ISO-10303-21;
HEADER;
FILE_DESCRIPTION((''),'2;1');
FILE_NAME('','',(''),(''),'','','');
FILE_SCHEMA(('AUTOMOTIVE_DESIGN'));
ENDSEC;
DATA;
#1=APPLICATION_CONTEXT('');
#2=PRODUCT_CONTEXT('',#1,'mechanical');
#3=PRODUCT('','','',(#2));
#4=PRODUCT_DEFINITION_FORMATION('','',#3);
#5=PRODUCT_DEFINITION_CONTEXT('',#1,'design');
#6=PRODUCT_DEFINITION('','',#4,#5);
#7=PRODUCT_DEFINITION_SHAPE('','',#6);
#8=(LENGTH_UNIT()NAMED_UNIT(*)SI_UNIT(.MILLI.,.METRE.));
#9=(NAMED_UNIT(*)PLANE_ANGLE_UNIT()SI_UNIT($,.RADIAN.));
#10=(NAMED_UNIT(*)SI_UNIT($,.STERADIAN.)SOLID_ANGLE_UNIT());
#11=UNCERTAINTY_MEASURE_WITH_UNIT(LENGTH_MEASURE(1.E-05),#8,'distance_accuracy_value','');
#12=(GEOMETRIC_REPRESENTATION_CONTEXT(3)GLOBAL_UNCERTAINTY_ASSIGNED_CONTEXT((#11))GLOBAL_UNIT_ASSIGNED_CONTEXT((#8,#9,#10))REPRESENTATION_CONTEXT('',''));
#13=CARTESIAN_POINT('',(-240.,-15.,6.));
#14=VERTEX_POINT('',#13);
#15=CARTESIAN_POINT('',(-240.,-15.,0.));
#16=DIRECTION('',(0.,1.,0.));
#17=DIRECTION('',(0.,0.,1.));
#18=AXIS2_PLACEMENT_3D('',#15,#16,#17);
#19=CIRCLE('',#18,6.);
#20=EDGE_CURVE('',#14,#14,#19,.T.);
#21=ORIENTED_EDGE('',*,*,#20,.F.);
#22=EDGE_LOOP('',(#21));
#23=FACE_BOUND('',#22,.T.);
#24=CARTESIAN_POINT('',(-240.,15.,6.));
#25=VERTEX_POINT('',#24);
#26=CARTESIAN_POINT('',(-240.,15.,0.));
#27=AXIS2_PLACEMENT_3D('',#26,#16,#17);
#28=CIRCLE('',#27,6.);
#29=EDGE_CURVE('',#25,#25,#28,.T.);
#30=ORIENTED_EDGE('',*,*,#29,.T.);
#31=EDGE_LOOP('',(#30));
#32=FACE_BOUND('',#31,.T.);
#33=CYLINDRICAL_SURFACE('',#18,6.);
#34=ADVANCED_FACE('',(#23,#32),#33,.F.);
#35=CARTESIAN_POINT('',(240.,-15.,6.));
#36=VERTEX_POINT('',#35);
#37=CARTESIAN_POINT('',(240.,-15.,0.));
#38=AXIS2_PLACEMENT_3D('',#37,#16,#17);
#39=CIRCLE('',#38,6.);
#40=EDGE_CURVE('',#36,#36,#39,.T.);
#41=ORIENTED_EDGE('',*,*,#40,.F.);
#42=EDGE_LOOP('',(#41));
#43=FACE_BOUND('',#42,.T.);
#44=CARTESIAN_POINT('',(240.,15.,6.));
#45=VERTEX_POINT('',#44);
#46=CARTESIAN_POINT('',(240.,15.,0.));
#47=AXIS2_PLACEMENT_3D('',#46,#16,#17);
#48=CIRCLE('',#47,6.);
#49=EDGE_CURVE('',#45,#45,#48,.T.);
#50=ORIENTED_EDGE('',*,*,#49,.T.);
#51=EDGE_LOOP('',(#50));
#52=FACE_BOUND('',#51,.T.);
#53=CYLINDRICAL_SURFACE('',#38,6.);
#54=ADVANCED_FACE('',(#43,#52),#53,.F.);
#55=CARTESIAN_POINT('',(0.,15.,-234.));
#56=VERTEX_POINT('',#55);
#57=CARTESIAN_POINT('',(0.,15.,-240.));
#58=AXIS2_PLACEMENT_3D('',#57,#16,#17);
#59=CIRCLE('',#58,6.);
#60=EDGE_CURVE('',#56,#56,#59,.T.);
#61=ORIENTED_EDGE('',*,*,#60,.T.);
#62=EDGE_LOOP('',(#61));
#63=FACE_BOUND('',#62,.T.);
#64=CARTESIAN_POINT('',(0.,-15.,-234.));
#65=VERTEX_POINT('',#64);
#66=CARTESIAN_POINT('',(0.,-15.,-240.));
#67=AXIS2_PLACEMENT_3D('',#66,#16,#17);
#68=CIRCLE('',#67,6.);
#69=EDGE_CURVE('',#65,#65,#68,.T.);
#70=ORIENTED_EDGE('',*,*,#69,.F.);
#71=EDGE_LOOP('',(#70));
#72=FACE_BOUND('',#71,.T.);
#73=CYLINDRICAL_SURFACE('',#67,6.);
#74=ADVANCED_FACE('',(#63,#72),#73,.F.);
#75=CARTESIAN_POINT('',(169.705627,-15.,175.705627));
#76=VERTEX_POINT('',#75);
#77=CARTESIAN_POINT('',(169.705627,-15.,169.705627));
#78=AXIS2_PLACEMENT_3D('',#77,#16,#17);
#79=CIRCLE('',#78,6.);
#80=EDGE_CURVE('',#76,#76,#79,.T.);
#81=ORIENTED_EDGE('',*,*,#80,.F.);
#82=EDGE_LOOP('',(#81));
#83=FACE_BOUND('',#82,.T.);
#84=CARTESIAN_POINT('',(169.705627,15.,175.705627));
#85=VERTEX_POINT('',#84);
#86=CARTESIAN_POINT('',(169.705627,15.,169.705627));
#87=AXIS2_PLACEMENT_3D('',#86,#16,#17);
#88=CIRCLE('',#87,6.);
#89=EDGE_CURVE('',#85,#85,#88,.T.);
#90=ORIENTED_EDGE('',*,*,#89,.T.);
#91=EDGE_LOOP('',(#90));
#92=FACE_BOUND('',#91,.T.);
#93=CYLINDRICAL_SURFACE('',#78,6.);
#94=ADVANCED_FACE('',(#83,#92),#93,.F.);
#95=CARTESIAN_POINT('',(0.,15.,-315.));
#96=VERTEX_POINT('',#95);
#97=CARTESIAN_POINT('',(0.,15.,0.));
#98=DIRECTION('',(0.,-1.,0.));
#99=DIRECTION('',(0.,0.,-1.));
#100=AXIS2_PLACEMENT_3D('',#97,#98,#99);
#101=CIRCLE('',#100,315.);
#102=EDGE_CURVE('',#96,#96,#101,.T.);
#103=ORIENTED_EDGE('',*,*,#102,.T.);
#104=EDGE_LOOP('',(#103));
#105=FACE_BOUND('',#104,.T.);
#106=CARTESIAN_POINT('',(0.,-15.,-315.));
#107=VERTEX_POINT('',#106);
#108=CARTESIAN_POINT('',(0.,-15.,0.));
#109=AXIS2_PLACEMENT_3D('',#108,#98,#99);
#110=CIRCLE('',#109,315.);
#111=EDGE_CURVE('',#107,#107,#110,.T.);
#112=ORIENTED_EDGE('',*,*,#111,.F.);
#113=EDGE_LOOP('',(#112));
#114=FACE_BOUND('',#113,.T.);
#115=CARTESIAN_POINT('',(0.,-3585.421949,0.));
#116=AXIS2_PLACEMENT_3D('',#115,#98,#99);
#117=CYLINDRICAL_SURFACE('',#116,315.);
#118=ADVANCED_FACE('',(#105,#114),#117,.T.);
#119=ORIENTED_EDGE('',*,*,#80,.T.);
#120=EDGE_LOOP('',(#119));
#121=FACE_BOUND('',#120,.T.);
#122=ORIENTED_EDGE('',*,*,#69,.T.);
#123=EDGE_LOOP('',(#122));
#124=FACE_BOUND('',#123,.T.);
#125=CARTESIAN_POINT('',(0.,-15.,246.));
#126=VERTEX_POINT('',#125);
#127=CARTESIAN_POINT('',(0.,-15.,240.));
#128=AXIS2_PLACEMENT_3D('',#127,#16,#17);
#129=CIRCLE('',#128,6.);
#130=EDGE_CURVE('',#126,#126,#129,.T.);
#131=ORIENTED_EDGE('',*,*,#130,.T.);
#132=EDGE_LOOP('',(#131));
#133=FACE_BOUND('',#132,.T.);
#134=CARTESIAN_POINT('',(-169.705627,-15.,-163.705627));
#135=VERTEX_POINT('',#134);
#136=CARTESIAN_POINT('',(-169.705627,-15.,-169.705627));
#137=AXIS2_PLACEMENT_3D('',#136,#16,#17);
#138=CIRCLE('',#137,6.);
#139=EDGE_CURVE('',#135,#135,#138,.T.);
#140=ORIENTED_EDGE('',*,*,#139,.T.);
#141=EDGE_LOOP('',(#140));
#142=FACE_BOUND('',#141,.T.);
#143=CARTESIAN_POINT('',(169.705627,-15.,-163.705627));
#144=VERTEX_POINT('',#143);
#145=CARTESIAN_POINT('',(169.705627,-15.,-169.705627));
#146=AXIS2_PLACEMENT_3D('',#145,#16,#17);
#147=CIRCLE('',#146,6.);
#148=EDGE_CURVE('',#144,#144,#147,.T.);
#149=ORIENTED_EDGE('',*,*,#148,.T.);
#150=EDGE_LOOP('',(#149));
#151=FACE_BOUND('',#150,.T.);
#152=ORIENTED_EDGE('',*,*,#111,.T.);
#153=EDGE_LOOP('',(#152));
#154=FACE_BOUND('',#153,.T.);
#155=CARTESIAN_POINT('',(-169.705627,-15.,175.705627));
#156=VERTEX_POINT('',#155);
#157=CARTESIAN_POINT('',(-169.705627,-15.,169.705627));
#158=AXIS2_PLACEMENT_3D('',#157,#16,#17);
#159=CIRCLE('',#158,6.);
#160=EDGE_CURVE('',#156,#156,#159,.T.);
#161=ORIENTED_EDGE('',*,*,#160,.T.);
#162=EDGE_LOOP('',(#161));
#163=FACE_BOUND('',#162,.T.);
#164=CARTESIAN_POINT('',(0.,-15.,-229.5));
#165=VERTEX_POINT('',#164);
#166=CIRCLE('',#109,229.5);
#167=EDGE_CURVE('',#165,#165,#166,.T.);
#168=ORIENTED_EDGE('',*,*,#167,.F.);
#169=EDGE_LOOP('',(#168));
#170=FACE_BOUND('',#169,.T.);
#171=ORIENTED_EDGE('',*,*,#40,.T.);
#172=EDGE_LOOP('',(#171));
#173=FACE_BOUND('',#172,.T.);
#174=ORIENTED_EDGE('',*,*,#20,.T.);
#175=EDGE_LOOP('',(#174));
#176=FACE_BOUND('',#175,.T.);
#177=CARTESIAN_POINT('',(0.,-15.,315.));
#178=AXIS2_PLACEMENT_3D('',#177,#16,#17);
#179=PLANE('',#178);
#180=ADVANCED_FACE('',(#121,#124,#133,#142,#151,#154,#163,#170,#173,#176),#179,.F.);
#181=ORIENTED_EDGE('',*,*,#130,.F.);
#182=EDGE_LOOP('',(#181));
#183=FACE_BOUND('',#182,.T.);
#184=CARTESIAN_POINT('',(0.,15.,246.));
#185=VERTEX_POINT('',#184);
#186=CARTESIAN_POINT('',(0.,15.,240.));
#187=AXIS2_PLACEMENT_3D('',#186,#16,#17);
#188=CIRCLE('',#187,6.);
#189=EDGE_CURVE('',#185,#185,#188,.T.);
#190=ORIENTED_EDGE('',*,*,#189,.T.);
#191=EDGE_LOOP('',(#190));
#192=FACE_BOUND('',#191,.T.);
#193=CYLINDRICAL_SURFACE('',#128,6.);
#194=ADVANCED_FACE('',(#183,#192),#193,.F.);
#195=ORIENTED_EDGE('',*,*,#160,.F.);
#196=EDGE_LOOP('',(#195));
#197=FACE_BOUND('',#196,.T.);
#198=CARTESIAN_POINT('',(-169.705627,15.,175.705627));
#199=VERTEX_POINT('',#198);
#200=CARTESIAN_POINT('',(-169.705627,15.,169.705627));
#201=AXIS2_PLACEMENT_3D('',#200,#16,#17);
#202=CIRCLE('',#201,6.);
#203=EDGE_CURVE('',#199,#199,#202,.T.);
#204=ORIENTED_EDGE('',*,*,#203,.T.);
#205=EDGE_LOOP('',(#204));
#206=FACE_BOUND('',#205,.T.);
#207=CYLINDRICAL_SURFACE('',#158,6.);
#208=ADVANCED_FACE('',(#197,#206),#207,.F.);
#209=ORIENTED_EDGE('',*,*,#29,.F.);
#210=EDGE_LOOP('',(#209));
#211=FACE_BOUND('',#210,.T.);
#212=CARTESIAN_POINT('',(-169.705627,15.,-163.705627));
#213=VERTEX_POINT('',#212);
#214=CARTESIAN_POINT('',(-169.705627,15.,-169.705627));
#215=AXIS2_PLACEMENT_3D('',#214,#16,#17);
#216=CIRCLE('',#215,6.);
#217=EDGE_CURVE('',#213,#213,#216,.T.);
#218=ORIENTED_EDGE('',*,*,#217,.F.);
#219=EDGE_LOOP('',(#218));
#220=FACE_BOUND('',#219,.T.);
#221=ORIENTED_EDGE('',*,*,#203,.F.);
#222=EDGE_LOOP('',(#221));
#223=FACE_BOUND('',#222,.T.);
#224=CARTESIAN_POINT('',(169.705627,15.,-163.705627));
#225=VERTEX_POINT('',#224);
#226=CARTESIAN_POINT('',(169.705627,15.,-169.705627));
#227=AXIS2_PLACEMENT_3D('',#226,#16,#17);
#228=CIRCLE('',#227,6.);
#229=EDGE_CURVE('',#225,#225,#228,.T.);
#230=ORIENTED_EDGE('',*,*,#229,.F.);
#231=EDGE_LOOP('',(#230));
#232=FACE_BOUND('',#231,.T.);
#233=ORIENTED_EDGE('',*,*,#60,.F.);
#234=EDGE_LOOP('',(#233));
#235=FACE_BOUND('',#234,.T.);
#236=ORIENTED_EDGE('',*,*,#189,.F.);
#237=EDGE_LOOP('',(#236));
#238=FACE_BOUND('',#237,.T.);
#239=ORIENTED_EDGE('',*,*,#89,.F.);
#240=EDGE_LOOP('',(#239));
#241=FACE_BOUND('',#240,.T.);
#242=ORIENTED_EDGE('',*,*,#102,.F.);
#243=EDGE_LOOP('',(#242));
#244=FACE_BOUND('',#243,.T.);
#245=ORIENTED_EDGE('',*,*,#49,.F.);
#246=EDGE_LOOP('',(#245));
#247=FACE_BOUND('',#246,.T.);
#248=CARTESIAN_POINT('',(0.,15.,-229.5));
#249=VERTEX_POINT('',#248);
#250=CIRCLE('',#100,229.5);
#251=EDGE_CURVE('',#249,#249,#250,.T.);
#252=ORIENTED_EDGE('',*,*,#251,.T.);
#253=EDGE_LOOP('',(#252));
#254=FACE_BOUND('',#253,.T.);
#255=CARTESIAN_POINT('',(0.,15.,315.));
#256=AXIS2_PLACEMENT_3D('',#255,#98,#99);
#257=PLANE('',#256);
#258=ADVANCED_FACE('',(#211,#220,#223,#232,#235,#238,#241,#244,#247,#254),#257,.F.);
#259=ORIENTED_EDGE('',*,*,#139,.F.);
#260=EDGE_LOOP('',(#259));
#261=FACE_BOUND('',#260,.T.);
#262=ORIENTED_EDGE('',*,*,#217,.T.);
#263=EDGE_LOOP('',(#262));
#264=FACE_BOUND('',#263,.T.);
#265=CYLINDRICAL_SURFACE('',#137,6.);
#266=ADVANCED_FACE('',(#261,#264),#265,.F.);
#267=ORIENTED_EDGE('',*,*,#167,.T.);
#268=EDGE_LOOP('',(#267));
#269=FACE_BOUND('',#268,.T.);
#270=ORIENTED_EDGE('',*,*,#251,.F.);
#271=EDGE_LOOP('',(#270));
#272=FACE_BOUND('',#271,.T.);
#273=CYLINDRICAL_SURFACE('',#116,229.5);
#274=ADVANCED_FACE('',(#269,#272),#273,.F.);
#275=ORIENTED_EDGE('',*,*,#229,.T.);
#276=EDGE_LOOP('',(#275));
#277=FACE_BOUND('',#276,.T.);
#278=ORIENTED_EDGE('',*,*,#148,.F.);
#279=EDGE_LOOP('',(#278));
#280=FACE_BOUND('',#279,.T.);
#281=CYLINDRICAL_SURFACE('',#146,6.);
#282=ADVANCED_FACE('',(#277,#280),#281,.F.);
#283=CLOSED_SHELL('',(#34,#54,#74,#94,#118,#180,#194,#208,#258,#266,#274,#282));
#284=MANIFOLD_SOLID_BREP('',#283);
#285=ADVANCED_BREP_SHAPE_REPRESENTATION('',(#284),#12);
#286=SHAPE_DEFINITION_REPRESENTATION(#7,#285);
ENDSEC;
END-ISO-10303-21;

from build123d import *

# Parameters (mm, degrees)
SKETCH1_W          = 85.5
SKETCH1_H          = 30
SKETCH2_R          = 6
CUT_EXTRUDE1_DEPTH = 447.486281984


with BuildPart() as part:
    # Sketch1 → Revolve1 (revolve)
    with BuildSketch(Plane(origin=(0, 0, 0), x_dir=(0, 0, -1), z_dir=(1, 0, 0)), mode=Mode.PRIVATE) as revolve1_sk:
        with Locations((-272.25, 0)):
            Rectangle(SKETCH1_W, SKETCH1_H)
    revolve(revolve1_sk.sketch.rotate(Axis((0, -3585.421948748, 0), (0, 1, 0)), 180), axis=Axis((0, -3585.421948748, 0), (0, 1, 0)))

    # Sketch2 → Cut-Extrude1 (cut, through all)
    with BuildSketch(Plane(origin=(0, 15, 0), x_dir=(1, 0, 0), z_dir=(0, 1, 0))):
        with Locations(Location((0, 240, 0), (0, 0, 270))):
            Circle(SKETCH2_R)
        with Locations(Location((169.705627485, 169.705627485, 0), (0, 0, 270))):
            Circle(SKETCH2_R)
        with Locations(Location((240, 0, 0), (0, 0, 270))):
            Circle(SKETCH2_R)
        with Locations(Location((169.705627485, -169.705627485, 0), (0, 0, 270))):
            Circle(SKETCH2_R)
        with Locations(Location((0, -240, 0), (0, 0, 270))):
            Circle(SKETCH2_R)
        with Locations(Location((-169.705627485, -169.705627485, 0), (0, 0, 270))):
            Circle(SKETCH2_R)
        with Locations(Location((-240, 0, 0), (0, 0, 270))):
            Circle(SKETCH2_R)
        with Locations(Location((-169.705627485, 169.705627485, 0), (0, 0, 270))):
            Circle(SKETCH2_R)
    extrude(amount=-CUT_EXTRUDE1_DEPTH, mode=Mode.SUBTRACT)


solid = part.part
